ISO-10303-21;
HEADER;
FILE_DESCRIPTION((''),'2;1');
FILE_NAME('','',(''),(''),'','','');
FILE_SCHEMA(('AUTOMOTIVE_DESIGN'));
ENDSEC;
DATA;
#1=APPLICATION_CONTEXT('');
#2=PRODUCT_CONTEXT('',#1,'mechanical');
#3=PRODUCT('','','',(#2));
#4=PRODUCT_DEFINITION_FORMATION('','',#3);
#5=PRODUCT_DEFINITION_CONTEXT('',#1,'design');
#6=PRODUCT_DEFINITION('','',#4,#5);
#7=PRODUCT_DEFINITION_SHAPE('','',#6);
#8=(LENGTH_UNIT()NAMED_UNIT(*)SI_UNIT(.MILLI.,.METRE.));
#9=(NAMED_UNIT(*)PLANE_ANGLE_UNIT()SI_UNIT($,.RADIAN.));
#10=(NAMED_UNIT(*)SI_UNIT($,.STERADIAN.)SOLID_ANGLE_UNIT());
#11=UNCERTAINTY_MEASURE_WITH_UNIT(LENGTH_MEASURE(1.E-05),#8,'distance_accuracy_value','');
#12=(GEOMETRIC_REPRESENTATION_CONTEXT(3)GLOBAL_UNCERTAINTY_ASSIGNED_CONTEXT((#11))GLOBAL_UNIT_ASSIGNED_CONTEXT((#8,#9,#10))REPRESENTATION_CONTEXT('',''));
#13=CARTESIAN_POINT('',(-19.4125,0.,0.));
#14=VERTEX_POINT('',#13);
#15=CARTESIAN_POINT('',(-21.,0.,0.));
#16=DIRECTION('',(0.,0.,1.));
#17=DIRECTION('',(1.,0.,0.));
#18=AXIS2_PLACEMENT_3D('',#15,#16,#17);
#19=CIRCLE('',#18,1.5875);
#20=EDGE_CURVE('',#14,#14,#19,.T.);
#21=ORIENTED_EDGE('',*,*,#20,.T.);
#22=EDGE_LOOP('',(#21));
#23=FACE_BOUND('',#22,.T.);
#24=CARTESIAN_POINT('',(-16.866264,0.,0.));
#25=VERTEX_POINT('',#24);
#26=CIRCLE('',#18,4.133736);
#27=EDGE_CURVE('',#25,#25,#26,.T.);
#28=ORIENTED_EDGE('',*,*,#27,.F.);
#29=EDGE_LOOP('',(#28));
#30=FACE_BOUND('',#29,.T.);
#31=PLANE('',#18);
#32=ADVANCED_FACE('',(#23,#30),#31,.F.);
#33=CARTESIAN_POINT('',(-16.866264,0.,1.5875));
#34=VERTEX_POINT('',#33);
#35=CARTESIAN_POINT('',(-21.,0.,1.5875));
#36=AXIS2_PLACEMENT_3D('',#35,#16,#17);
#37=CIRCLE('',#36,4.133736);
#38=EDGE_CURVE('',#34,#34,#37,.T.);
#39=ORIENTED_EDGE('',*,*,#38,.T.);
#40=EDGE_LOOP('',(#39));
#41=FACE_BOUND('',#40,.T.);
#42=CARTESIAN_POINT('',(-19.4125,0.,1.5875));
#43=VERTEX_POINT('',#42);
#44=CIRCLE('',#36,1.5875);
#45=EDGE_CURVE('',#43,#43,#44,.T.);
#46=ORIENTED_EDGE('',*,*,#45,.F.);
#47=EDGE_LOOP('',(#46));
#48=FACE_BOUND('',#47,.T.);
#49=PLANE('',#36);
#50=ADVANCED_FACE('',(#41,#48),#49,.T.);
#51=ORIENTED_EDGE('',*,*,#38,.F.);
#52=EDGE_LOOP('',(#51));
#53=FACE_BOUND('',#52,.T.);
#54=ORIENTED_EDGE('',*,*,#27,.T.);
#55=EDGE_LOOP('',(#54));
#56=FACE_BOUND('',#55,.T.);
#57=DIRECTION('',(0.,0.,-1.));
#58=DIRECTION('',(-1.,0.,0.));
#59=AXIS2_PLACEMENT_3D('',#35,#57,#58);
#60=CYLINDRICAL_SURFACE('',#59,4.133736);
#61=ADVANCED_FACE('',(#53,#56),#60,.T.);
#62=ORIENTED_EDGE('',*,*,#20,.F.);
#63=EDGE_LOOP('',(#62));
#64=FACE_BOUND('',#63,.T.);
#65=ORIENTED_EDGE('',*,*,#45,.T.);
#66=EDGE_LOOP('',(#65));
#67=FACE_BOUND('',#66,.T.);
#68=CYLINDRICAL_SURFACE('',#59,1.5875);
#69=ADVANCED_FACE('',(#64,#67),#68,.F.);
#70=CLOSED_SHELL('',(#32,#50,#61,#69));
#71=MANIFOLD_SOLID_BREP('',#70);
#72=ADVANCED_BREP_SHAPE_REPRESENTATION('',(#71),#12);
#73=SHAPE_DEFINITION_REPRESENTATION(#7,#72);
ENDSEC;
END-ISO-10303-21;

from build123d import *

# Parameters (mm, degrees)
SKETCH1_R           = 4.133736316
SKETCH1_R_2         = 1.5875
BOSS_EXTRUDE1_DEPTH = 1.5875


with BuildPart() as part:
    # Sketch1 → Boss-Extrude1 (new body)
    with BuildSketch(Plane.XY):
        with Locations((-21, 0)):
            Circle(SKETCH1_R)
        with Locations((-21, 0)):
            Circle(SKETCH1_R_2, mode=Mode.SUBTRACT)
    extrude(amount=BOSS_EXTRUDE1_DEPTH)


solid = part.part
